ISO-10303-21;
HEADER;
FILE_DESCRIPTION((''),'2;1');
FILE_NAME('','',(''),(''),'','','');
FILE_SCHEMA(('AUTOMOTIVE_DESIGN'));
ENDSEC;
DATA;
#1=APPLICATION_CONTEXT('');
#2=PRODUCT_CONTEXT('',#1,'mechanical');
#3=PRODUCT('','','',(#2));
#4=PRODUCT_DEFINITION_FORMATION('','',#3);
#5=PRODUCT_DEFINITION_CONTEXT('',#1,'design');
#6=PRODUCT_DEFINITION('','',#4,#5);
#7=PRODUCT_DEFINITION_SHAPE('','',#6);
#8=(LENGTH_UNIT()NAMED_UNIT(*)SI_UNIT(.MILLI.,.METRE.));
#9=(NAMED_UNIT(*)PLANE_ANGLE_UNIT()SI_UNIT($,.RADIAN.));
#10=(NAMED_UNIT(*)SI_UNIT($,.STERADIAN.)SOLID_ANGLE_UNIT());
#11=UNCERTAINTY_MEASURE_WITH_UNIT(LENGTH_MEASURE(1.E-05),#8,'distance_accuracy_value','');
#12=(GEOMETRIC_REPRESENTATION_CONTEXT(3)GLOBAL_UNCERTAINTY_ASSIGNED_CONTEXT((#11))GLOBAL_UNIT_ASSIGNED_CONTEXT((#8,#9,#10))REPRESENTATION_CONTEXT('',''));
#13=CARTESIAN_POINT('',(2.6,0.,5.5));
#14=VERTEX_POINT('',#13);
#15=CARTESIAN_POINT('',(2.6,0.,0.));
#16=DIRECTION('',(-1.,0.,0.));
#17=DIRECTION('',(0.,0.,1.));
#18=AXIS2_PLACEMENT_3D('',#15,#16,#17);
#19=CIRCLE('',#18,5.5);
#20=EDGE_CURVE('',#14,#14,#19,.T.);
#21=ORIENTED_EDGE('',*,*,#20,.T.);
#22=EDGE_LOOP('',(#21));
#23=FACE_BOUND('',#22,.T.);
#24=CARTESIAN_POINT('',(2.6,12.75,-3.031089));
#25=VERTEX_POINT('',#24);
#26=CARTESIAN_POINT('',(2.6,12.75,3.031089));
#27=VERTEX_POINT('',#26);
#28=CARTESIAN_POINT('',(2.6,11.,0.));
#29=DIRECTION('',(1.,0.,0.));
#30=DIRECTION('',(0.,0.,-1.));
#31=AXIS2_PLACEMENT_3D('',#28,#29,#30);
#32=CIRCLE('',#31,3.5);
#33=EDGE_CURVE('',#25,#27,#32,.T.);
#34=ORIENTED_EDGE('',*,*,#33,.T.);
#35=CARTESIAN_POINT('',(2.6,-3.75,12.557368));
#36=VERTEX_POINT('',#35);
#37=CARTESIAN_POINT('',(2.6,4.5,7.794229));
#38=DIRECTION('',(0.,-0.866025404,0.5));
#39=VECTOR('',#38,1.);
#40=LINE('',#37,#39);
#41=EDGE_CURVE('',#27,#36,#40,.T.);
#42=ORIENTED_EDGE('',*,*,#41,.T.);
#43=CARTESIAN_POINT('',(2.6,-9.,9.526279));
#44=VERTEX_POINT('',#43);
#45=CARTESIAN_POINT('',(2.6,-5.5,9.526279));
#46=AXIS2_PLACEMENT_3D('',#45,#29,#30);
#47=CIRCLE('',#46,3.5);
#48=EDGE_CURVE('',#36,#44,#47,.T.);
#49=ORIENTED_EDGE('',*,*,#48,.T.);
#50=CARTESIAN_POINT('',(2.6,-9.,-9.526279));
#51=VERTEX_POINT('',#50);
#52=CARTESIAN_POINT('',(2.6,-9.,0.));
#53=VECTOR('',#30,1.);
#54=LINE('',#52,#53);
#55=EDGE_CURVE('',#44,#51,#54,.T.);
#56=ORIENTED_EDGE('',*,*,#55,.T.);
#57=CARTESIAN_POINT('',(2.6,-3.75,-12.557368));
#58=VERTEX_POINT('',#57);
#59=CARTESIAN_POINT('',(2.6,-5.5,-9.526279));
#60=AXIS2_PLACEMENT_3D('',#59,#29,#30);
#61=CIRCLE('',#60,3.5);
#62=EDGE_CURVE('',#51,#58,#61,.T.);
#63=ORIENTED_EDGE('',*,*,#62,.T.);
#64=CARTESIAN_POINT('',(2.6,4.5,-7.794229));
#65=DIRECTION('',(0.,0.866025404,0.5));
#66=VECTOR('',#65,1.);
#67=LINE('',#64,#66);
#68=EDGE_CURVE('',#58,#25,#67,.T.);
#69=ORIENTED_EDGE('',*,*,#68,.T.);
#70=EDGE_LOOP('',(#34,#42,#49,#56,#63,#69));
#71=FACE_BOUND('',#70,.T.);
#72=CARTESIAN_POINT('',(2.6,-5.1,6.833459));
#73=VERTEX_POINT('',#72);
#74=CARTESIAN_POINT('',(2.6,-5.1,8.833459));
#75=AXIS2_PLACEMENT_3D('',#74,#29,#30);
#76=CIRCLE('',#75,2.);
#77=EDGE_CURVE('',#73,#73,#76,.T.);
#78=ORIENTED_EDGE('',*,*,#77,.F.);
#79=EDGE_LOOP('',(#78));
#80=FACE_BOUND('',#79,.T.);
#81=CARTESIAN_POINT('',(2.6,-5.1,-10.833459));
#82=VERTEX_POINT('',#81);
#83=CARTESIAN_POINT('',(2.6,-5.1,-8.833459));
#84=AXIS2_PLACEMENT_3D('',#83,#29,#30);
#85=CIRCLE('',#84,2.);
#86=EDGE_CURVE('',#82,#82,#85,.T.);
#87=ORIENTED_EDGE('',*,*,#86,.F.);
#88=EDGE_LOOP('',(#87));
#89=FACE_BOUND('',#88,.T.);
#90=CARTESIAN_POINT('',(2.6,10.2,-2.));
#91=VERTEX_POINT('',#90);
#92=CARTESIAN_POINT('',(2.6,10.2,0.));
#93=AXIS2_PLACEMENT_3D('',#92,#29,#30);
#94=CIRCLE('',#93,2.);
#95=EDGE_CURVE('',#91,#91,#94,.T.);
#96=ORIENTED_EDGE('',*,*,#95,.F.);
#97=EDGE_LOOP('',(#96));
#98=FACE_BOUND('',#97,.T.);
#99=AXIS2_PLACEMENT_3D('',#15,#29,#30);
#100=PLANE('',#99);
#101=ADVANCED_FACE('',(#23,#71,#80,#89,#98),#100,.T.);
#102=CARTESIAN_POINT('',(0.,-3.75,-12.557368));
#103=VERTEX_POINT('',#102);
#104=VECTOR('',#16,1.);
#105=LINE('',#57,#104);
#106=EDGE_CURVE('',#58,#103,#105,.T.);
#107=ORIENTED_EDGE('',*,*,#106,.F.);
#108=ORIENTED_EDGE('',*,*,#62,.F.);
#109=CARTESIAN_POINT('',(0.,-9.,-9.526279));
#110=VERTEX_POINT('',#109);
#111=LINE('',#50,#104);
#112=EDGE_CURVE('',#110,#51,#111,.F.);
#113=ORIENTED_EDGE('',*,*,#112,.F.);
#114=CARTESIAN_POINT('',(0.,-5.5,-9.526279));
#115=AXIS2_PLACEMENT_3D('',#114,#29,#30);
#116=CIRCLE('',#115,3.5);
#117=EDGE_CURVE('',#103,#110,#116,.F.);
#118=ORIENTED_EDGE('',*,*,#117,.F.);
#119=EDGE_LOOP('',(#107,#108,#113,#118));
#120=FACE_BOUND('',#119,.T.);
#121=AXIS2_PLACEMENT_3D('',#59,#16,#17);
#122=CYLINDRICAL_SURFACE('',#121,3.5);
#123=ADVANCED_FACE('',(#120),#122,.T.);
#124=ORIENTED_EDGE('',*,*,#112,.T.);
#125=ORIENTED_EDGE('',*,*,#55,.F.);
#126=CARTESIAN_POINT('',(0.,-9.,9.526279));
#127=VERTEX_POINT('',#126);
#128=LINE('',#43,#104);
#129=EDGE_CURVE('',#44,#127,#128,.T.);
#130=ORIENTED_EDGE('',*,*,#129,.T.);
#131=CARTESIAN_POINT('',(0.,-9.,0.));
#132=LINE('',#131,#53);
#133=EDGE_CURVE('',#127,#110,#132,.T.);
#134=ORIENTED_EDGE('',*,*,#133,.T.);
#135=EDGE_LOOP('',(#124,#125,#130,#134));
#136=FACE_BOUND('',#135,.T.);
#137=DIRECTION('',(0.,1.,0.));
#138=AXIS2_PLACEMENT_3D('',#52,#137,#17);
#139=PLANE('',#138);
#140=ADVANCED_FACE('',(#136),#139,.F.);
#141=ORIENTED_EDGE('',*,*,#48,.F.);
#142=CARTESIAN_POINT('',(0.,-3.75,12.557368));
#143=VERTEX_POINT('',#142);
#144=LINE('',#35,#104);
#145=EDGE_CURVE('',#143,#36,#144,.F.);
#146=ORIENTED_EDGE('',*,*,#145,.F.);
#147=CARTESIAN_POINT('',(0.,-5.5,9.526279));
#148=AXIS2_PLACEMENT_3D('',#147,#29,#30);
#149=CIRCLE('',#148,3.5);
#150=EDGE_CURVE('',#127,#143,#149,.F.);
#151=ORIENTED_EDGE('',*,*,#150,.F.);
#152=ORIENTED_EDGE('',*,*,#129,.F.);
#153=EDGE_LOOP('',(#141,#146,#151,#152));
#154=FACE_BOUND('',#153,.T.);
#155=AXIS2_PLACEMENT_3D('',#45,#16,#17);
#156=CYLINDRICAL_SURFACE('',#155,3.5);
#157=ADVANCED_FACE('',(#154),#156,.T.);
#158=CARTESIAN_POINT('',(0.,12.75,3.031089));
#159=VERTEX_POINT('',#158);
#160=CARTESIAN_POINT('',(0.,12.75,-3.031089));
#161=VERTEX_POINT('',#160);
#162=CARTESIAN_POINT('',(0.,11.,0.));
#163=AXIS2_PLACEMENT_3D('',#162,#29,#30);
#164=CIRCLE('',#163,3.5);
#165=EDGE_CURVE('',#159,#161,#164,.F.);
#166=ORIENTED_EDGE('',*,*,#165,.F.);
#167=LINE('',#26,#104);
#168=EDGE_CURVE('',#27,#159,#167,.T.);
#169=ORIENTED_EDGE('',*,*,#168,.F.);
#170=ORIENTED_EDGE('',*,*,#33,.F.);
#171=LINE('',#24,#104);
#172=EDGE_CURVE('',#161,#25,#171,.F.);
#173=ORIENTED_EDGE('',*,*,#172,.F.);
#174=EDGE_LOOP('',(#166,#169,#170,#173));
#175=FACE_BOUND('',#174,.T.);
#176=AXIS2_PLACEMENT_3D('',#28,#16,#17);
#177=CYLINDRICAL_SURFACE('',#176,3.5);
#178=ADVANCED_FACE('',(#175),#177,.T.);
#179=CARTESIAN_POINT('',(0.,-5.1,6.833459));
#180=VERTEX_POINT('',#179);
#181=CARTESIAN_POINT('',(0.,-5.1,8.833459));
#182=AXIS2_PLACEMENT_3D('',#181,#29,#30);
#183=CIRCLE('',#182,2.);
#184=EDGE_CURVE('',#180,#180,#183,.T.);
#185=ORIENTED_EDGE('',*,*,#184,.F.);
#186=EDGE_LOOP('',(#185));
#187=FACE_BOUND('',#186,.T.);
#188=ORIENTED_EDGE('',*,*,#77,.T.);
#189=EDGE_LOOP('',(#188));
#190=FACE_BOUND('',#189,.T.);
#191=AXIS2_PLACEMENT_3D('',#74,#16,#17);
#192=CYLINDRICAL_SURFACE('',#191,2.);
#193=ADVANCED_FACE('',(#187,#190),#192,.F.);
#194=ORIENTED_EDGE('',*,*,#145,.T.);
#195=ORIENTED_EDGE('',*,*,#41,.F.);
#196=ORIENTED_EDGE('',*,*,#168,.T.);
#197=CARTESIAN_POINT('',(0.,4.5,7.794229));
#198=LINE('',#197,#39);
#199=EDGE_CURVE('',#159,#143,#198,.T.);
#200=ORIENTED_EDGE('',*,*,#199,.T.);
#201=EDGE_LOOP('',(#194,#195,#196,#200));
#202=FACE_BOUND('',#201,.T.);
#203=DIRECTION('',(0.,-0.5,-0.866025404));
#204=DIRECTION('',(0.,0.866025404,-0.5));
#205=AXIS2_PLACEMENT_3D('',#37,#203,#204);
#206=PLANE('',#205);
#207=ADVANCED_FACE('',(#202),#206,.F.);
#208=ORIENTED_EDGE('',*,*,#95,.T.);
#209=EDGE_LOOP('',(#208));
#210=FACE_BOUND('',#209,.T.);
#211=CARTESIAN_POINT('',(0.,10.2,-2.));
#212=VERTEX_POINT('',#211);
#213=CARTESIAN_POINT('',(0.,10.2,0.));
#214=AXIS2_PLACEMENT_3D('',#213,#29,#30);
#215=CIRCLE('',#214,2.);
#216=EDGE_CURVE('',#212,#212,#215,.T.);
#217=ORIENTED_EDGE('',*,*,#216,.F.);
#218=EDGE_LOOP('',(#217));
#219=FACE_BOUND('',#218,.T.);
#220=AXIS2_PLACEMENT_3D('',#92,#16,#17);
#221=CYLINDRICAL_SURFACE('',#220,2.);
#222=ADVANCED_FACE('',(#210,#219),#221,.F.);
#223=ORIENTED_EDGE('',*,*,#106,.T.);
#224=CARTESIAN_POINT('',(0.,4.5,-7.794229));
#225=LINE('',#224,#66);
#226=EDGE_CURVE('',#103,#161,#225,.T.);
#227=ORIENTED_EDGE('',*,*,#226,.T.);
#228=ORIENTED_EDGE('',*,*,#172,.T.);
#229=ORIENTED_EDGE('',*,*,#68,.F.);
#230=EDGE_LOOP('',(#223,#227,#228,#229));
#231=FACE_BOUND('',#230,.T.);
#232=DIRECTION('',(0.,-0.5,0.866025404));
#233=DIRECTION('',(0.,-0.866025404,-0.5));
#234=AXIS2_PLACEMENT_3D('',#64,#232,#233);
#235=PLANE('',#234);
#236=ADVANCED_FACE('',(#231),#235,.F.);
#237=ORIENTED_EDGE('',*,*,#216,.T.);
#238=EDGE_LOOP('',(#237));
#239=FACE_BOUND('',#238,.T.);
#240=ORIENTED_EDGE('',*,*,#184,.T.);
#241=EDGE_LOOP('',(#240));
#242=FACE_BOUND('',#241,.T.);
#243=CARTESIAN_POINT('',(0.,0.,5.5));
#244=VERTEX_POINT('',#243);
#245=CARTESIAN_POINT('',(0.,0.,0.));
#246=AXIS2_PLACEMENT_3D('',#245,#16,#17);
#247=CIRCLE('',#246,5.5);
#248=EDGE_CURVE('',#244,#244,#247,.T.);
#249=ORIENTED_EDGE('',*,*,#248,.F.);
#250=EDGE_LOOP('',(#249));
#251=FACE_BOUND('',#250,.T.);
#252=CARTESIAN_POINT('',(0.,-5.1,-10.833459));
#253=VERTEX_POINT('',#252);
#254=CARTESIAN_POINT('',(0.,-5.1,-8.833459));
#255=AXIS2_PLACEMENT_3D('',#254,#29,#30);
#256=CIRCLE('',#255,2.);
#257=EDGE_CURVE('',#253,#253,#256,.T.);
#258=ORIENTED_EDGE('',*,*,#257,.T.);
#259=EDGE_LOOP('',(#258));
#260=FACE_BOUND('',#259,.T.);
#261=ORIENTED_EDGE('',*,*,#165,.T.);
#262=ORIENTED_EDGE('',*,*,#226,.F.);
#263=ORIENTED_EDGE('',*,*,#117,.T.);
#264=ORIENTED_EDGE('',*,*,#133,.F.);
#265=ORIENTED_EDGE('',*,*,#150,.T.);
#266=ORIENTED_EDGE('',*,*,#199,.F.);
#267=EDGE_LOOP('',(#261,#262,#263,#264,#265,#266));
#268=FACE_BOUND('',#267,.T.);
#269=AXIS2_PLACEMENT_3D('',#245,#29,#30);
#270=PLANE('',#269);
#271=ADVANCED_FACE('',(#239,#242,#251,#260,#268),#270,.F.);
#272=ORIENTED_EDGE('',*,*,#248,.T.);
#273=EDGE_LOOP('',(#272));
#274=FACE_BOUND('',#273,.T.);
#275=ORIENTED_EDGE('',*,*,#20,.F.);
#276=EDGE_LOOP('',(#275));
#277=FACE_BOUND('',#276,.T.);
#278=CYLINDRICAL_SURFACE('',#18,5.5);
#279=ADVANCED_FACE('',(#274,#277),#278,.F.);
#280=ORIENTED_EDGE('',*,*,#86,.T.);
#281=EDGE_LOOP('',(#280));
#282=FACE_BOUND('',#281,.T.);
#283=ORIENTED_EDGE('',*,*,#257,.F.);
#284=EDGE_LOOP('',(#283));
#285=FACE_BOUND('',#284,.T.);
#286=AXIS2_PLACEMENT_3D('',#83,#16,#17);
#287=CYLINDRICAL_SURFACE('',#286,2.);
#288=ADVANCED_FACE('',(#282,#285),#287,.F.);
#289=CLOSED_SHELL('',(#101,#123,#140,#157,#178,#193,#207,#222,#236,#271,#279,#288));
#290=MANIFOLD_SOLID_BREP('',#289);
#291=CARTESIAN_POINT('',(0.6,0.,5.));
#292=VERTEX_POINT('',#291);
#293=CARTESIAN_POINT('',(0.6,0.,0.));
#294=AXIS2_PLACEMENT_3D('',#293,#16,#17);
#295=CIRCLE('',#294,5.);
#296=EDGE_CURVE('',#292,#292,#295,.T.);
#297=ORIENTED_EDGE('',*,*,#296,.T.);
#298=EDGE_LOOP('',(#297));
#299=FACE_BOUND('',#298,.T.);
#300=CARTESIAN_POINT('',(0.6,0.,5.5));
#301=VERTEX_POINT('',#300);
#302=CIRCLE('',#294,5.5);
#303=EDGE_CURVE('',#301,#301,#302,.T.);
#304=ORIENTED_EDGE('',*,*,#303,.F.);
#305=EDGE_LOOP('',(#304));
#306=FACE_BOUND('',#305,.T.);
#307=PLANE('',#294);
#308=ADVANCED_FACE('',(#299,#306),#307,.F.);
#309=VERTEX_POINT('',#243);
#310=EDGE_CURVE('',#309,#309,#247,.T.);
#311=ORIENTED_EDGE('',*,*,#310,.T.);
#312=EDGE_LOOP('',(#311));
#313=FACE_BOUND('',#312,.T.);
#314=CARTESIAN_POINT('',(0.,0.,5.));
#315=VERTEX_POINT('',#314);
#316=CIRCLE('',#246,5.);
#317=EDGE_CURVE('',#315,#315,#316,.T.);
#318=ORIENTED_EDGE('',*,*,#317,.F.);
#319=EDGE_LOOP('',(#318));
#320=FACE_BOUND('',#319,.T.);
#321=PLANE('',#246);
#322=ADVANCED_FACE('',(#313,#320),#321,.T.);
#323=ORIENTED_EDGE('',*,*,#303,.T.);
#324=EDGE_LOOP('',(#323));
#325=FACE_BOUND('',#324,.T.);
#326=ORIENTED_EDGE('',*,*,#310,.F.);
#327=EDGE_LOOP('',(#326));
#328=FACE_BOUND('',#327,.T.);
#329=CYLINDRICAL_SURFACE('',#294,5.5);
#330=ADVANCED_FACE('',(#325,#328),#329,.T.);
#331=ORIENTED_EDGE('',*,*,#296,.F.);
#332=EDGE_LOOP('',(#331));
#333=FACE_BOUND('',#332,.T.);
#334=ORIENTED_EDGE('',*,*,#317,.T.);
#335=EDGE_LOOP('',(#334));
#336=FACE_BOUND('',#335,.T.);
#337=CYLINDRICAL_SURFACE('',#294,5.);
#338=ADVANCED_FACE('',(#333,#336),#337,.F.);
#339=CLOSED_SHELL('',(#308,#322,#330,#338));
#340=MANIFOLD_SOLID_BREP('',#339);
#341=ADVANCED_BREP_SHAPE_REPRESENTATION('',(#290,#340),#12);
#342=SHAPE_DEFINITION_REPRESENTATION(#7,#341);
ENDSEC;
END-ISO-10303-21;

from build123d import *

# Parameters (mm, degrees)
SKETCH_1_R          = 2
EXTRUDE_2_DEPTH     = 2.6
FILLET_1_R          = 3.5
SKETCH_4_R          = 5.5
CUT_EXTRUDE_1_DEPTH = 20.664535491
SKETCH_6_R          = 5.5
SKETCH_6_R_2        = 5
EXTRUDE_4_DEPTH     = 0.6


with BuildPart() as part:
    # 草图1 → 凸台-拉伸2 (new body)
    with BuildSketch(Plane(origin=(0, 0, 0), x_dir=(0, 0, -1), z_dir=(1, 0, 0))):
        Polygon((0, 18), (-15.588457268, -9), (15.588457268, -9), align=None)
        with Locations((0, 10.2)):
            Circle(SKETCH_1_R, mode=Mode.SUBTRACT)
        with Locations((8.833459119, -5.1)):
            Circle(SKETCH_1_R, mode=Mode.SUBTRACT)
        with Locations((-8.833459119, -5.1)):
            Circle(SKETCH_1_R, mode=Mode.SUBTRACT)
    extrude(amount=EXTRUDE_2_DEPTH)

    # 圆角1
    fillet_1_edges = [part.edges().sort_by_distance(p)[0] for p in [
        (1.3, 18, 0),
        (1.3, -9, -15.588457268),
        (1.3, -9, 15.588457268),
    ]]
    fillet(fillet_1_edges, radius=FILLET_1_R)

    # 草图4 → 切除-拉伸1 (cut, through all)
    with BuildSketch(Plane.ZY):
        Circle(SKETCH_4_R)
    extrude(amount=-CUT_EXTRUDE_1_DEPTH, mode=Mode.SUBTRACT)


with BuildPart() as body_2:
    # 草图6 → 凸台-拉伸4 (new body)
    with BuildSketch(Plane.ZY):
        Circle(SKETCH_6_R)
        Circle(SKETCH_6_R_2, mode=Mode.SUBTRACT)
    extrude(amount=-EXTRUDE_4_DEPTH)


solid = Compound([part.part, body_2.part])
